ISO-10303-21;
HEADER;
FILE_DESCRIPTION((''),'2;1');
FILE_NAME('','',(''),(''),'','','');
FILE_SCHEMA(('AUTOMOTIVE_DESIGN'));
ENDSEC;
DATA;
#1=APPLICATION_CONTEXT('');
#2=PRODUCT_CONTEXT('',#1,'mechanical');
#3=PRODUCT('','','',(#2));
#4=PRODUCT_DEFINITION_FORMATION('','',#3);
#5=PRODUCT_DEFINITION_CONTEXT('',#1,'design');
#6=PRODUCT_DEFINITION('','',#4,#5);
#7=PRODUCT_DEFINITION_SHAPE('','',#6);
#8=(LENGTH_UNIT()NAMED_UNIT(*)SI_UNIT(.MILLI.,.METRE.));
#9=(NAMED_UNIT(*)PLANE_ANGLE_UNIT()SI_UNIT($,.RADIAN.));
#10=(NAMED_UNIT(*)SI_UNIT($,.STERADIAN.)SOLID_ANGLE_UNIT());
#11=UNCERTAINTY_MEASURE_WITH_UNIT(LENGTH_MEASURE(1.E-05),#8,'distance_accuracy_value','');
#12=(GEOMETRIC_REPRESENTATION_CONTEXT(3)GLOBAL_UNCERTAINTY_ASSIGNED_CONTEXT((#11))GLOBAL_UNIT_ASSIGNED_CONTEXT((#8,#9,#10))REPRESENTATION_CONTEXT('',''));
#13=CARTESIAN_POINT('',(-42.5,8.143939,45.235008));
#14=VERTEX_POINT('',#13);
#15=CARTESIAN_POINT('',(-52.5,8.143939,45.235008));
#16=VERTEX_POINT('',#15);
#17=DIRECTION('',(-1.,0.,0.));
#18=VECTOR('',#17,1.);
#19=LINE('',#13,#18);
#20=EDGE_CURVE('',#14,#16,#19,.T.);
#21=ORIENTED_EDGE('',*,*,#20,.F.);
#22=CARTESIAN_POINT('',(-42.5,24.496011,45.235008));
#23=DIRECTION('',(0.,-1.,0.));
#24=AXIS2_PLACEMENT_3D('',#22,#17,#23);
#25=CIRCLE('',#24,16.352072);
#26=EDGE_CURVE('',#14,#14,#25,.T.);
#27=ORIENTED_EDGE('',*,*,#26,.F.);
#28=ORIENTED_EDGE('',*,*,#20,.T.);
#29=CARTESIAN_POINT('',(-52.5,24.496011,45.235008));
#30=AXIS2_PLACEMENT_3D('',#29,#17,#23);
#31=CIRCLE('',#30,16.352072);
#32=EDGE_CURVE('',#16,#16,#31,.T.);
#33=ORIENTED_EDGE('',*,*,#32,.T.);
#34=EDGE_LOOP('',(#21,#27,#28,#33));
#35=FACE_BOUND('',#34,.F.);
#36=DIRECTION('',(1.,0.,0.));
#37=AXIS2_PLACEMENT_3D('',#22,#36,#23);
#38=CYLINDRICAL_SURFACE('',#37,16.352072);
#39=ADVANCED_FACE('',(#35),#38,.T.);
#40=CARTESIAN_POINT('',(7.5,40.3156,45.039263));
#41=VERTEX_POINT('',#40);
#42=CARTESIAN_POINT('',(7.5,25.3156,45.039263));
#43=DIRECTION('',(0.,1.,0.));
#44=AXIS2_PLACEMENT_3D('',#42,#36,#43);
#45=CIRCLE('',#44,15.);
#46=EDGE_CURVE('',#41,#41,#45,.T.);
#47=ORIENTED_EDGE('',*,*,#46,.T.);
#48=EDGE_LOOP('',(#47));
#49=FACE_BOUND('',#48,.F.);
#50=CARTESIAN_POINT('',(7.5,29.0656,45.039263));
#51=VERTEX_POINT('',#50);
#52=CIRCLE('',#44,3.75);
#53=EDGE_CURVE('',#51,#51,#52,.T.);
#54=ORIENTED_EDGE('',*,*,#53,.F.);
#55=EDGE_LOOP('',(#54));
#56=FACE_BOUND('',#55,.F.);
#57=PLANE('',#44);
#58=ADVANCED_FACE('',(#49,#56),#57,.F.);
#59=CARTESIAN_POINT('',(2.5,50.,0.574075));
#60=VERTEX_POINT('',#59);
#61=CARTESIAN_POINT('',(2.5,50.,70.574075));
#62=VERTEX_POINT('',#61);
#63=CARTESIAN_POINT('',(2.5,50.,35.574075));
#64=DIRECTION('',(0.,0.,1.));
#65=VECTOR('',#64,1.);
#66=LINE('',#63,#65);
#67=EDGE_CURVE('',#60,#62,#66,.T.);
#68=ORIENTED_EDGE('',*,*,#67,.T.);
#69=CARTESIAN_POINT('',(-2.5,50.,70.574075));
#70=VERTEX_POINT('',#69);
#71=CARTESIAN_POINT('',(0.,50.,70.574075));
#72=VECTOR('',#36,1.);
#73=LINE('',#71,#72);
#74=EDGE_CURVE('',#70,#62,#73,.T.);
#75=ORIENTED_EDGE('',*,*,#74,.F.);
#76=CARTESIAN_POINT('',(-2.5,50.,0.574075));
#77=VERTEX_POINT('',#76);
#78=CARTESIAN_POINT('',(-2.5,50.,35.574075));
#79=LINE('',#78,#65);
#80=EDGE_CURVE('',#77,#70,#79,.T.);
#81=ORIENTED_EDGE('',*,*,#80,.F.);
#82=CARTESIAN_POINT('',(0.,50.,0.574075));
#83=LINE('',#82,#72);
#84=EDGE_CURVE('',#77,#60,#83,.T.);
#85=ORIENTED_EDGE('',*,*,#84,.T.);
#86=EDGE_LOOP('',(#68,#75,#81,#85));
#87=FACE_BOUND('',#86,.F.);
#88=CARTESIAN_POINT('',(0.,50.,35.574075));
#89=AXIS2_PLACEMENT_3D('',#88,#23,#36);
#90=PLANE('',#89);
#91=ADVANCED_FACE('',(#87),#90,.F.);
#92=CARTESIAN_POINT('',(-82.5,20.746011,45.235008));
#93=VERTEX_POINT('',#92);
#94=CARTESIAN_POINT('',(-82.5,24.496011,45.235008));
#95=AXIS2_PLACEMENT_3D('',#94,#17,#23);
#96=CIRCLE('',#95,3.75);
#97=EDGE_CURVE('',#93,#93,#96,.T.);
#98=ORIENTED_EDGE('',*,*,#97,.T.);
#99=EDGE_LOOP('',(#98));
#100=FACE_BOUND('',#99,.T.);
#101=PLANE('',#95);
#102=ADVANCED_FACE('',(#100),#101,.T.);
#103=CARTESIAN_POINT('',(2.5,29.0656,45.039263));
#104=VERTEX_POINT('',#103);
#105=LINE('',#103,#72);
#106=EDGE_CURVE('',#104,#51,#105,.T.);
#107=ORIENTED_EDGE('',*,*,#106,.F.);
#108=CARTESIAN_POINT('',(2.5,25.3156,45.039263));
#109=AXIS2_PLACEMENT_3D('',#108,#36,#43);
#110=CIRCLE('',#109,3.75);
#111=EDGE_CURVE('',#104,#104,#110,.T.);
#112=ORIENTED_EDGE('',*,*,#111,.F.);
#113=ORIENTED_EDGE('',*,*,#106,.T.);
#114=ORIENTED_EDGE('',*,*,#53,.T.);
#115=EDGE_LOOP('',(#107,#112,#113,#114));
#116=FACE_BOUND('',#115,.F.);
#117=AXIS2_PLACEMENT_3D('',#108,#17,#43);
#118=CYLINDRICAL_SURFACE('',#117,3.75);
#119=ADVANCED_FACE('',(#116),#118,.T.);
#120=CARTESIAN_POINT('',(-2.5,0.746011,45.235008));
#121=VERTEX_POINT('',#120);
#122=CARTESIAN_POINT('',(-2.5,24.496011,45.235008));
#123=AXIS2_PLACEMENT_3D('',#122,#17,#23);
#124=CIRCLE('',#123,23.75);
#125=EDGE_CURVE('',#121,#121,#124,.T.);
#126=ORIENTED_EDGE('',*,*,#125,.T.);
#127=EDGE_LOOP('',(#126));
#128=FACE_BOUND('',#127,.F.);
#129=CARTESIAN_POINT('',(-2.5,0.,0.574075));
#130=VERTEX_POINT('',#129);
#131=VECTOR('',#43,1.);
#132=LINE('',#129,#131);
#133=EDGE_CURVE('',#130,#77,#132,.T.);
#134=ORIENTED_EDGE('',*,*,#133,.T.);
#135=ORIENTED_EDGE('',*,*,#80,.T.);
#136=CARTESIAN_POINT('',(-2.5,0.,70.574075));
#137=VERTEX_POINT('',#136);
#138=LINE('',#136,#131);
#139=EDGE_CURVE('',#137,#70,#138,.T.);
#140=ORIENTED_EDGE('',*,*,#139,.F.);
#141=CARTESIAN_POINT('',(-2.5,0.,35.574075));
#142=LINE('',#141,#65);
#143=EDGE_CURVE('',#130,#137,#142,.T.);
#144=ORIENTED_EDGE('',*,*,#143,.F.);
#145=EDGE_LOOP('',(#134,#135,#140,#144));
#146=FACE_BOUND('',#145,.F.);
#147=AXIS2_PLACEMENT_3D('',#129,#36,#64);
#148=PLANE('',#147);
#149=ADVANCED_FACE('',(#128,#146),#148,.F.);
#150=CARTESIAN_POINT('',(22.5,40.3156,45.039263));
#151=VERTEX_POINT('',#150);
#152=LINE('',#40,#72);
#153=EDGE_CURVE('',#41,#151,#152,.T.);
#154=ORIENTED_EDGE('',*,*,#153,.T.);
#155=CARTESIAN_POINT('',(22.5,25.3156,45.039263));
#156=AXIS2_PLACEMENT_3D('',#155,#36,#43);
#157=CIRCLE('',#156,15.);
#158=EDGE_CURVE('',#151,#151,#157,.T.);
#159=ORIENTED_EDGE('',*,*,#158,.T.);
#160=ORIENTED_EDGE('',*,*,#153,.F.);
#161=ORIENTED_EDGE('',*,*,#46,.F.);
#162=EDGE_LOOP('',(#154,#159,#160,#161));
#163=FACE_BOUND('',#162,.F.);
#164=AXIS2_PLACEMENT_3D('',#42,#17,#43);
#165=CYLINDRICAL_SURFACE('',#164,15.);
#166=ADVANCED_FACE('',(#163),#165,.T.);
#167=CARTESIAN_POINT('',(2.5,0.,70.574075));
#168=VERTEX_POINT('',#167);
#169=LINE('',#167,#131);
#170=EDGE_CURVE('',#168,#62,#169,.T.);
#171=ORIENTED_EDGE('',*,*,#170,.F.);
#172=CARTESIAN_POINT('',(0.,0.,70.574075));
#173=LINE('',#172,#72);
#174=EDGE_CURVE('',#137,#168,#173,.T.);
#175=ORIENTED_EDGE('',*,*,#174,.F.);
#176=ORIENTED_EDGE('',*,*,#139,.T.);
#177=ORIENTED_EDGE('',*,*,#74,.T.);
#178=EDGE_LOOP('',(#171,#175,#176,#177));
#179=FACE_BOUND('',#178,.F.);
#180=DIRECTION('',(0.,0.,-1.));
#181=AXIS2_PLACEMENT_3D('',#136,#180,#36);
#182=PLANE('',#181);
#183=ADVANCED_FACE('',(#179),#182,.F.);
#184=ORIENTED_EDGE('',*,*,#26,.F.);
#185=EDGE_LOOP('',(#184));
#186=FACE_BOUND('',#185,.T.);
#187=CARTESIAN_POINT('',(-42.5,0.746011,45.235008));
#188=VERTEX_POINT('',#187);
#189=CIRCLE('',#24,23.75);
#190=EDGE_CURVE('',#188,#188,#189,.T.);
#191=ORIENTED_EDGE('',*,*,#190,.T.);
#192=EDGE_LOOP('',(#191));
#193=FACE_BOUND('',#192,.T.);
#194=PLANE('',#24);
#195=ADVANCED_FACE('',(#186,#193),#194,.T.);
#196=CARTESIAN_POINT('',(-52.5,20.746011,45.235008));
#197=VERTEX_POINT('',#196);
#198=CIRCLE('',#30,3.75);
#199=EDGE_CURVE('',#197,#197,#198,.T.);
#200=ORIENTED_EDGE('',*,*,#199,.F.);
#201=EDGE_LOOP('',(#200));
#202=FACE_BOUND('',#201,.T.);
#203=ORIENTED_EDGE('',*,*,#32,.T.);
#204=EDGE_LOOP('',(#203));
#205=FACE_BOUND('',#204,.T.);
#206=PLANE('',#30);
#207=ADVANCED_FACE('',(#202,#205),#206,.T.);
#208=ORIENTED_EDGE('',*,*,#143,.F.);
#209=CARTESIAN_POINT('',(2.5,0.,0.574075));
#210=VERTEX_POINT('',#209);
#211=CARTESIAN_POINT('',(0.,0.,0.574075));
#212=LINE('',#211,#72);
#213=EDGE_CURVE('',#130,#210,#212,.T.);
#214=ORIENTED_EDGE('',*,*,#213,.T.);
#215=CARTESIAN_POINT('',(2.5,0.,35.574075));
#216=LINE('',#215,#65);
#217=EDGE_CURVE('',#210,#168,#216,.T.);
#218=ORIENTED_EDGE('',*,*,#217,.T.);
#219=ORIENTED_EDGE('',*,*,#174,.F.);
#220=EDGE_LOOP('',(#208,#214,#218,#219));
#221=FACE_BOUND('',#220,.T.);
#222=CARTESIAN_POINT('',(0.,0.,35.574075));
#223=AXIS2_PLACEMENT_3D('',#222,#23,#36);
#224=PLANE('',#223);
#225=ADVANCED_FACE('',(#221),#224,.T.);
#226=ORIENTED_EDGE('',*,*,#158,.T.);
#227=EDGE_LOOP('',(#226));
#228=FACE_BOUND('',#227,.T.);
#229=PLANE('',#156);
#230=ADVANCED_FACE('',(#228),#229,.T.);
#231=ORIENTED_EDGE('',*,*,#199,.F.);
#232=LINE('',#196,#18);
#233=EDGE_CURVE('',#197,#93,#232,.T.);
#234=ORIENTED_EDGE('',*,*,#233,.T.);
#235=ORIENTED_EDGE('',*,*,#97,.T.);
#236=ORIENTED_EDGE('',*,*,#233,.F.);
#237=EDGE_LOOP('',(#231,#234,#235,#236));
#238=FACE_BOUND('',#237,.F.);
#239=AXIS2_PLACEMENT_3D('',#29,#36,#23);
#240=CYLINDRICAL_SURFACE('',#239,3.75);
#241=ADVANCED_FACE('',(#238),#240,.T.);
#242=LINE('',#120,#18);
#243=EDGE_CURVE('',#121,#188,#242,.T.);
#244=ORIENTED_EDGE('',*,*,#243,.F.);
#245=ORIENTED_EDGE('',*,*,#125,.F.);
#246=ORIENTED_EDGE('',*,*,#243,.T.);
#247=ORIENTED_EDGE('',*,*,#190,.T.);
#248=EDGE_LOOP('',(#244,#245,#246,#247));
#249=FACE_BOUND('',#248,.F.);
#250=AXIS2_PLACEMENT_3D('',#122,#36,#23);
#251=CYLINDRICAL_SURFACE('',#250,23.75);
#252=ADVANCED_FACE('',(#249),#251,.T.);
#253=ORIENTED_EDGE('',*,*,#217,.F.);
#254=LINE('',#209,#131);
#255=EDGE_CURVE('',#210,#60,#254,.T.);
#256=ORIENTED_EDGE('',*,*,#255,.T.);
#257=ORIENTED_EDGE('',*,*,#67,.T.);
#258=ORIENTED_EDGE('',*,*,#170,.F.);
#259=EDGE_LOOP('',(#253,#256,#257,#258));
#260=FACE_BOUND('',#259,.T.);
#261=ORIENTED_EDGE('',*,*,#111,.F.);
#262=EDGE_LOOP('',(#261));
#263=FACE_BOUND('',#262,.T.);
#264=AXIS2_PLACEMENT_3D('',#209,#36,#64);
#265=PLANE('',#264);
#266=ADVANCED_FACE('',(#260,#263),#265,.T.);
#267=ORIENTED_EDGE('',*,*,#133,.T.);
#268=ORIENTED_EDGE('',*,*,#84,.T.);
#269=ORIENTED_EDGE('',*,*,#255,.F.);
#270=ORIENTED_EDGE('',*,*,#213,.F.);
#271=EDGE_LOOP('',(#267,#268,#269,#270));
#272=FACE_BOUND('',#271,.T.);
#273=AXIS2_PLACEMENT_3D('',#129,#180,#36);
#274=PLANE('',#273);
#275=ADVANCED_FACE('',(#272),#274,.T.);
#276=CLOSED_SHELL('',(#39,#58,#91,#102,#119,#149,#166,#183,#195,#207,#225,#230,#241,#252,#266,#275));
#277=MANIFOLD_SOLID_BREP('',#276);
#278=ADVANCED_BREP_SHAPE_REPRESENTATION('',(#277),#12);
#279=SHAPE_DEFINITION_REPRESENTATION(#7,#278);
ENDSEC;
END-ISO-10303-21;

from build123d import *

# Parameters (mm, degrees)
F0_W      = 5
F0_H      = 70
F1_DEPTH  = 50
F2_R      = 23.75
F3_DEPTH  = 40
F4_R      = 16.352072
F5_DEPTH  = 10
F6_R      = 3.75
F7_DEPTH  = 30
F8_R      = 3.75
F9_DEPTH  = 5
F10_R     = 15
F11_DEPTH = 15


with BuildPart() as f1:
    # F0 (on Front) → F1 (new body)
    with BuildSketch(Plane.XZ):
        with Locations((0, 35.574075)):
            Rectangle(F0_W, F0_H)
    extrude(amount=-F1_DEPTH)

    # F2 (on face) → F3 (join)
    with BuildSketch(Plane(origin=(-2.5, 0, 0), x_dir=(0, -1, 0), z_dir=(-1, 0, 0))):
        with Locations((-24.496011, 45.235008)):
            Circle(F2_R)
    extrude(amount=F3_DEPTH)

    # F4 (on face) → F5 (join)
    with BuildSketch(Plane(origin=(-42.5, 0, 0), x_dir=(0, -1, 0), z_dir=(-1, 0, 0))):
        with Locations((-24.496011, 45.235008)):
            Circle(F4_R)
    extrude(amount=F5_DEPTH)

    # F6 (on face) → F7 (join)
    with BuildSketch(Plane(origin=(-52.5, 0, 0), x_dir=(0, -1, 0), z_dir=(-1, 0, 0))):
        with Locations((-24.496011, 45.235008)):
            Circle(F6_R)
    extrude(amount=F7_DEPTH)

    # F8 (on face) → F9 (join)
    with BuildSketch(Plane.YZ.offset(2.5)):
        with Locations((25.3156, 45.039263)):
            Circle(F8_R)
    extrude(amount=F9_DEPTH)

    # F10 (on face) → F11 (join)
    with BuildSketch(Plane.YZ.offset(7.5)):
        with Locations((25.3156, 45.039263)):
            Circle(F10_R)
    extrude(amount=F11_DEPTH)


solid = f1.part
